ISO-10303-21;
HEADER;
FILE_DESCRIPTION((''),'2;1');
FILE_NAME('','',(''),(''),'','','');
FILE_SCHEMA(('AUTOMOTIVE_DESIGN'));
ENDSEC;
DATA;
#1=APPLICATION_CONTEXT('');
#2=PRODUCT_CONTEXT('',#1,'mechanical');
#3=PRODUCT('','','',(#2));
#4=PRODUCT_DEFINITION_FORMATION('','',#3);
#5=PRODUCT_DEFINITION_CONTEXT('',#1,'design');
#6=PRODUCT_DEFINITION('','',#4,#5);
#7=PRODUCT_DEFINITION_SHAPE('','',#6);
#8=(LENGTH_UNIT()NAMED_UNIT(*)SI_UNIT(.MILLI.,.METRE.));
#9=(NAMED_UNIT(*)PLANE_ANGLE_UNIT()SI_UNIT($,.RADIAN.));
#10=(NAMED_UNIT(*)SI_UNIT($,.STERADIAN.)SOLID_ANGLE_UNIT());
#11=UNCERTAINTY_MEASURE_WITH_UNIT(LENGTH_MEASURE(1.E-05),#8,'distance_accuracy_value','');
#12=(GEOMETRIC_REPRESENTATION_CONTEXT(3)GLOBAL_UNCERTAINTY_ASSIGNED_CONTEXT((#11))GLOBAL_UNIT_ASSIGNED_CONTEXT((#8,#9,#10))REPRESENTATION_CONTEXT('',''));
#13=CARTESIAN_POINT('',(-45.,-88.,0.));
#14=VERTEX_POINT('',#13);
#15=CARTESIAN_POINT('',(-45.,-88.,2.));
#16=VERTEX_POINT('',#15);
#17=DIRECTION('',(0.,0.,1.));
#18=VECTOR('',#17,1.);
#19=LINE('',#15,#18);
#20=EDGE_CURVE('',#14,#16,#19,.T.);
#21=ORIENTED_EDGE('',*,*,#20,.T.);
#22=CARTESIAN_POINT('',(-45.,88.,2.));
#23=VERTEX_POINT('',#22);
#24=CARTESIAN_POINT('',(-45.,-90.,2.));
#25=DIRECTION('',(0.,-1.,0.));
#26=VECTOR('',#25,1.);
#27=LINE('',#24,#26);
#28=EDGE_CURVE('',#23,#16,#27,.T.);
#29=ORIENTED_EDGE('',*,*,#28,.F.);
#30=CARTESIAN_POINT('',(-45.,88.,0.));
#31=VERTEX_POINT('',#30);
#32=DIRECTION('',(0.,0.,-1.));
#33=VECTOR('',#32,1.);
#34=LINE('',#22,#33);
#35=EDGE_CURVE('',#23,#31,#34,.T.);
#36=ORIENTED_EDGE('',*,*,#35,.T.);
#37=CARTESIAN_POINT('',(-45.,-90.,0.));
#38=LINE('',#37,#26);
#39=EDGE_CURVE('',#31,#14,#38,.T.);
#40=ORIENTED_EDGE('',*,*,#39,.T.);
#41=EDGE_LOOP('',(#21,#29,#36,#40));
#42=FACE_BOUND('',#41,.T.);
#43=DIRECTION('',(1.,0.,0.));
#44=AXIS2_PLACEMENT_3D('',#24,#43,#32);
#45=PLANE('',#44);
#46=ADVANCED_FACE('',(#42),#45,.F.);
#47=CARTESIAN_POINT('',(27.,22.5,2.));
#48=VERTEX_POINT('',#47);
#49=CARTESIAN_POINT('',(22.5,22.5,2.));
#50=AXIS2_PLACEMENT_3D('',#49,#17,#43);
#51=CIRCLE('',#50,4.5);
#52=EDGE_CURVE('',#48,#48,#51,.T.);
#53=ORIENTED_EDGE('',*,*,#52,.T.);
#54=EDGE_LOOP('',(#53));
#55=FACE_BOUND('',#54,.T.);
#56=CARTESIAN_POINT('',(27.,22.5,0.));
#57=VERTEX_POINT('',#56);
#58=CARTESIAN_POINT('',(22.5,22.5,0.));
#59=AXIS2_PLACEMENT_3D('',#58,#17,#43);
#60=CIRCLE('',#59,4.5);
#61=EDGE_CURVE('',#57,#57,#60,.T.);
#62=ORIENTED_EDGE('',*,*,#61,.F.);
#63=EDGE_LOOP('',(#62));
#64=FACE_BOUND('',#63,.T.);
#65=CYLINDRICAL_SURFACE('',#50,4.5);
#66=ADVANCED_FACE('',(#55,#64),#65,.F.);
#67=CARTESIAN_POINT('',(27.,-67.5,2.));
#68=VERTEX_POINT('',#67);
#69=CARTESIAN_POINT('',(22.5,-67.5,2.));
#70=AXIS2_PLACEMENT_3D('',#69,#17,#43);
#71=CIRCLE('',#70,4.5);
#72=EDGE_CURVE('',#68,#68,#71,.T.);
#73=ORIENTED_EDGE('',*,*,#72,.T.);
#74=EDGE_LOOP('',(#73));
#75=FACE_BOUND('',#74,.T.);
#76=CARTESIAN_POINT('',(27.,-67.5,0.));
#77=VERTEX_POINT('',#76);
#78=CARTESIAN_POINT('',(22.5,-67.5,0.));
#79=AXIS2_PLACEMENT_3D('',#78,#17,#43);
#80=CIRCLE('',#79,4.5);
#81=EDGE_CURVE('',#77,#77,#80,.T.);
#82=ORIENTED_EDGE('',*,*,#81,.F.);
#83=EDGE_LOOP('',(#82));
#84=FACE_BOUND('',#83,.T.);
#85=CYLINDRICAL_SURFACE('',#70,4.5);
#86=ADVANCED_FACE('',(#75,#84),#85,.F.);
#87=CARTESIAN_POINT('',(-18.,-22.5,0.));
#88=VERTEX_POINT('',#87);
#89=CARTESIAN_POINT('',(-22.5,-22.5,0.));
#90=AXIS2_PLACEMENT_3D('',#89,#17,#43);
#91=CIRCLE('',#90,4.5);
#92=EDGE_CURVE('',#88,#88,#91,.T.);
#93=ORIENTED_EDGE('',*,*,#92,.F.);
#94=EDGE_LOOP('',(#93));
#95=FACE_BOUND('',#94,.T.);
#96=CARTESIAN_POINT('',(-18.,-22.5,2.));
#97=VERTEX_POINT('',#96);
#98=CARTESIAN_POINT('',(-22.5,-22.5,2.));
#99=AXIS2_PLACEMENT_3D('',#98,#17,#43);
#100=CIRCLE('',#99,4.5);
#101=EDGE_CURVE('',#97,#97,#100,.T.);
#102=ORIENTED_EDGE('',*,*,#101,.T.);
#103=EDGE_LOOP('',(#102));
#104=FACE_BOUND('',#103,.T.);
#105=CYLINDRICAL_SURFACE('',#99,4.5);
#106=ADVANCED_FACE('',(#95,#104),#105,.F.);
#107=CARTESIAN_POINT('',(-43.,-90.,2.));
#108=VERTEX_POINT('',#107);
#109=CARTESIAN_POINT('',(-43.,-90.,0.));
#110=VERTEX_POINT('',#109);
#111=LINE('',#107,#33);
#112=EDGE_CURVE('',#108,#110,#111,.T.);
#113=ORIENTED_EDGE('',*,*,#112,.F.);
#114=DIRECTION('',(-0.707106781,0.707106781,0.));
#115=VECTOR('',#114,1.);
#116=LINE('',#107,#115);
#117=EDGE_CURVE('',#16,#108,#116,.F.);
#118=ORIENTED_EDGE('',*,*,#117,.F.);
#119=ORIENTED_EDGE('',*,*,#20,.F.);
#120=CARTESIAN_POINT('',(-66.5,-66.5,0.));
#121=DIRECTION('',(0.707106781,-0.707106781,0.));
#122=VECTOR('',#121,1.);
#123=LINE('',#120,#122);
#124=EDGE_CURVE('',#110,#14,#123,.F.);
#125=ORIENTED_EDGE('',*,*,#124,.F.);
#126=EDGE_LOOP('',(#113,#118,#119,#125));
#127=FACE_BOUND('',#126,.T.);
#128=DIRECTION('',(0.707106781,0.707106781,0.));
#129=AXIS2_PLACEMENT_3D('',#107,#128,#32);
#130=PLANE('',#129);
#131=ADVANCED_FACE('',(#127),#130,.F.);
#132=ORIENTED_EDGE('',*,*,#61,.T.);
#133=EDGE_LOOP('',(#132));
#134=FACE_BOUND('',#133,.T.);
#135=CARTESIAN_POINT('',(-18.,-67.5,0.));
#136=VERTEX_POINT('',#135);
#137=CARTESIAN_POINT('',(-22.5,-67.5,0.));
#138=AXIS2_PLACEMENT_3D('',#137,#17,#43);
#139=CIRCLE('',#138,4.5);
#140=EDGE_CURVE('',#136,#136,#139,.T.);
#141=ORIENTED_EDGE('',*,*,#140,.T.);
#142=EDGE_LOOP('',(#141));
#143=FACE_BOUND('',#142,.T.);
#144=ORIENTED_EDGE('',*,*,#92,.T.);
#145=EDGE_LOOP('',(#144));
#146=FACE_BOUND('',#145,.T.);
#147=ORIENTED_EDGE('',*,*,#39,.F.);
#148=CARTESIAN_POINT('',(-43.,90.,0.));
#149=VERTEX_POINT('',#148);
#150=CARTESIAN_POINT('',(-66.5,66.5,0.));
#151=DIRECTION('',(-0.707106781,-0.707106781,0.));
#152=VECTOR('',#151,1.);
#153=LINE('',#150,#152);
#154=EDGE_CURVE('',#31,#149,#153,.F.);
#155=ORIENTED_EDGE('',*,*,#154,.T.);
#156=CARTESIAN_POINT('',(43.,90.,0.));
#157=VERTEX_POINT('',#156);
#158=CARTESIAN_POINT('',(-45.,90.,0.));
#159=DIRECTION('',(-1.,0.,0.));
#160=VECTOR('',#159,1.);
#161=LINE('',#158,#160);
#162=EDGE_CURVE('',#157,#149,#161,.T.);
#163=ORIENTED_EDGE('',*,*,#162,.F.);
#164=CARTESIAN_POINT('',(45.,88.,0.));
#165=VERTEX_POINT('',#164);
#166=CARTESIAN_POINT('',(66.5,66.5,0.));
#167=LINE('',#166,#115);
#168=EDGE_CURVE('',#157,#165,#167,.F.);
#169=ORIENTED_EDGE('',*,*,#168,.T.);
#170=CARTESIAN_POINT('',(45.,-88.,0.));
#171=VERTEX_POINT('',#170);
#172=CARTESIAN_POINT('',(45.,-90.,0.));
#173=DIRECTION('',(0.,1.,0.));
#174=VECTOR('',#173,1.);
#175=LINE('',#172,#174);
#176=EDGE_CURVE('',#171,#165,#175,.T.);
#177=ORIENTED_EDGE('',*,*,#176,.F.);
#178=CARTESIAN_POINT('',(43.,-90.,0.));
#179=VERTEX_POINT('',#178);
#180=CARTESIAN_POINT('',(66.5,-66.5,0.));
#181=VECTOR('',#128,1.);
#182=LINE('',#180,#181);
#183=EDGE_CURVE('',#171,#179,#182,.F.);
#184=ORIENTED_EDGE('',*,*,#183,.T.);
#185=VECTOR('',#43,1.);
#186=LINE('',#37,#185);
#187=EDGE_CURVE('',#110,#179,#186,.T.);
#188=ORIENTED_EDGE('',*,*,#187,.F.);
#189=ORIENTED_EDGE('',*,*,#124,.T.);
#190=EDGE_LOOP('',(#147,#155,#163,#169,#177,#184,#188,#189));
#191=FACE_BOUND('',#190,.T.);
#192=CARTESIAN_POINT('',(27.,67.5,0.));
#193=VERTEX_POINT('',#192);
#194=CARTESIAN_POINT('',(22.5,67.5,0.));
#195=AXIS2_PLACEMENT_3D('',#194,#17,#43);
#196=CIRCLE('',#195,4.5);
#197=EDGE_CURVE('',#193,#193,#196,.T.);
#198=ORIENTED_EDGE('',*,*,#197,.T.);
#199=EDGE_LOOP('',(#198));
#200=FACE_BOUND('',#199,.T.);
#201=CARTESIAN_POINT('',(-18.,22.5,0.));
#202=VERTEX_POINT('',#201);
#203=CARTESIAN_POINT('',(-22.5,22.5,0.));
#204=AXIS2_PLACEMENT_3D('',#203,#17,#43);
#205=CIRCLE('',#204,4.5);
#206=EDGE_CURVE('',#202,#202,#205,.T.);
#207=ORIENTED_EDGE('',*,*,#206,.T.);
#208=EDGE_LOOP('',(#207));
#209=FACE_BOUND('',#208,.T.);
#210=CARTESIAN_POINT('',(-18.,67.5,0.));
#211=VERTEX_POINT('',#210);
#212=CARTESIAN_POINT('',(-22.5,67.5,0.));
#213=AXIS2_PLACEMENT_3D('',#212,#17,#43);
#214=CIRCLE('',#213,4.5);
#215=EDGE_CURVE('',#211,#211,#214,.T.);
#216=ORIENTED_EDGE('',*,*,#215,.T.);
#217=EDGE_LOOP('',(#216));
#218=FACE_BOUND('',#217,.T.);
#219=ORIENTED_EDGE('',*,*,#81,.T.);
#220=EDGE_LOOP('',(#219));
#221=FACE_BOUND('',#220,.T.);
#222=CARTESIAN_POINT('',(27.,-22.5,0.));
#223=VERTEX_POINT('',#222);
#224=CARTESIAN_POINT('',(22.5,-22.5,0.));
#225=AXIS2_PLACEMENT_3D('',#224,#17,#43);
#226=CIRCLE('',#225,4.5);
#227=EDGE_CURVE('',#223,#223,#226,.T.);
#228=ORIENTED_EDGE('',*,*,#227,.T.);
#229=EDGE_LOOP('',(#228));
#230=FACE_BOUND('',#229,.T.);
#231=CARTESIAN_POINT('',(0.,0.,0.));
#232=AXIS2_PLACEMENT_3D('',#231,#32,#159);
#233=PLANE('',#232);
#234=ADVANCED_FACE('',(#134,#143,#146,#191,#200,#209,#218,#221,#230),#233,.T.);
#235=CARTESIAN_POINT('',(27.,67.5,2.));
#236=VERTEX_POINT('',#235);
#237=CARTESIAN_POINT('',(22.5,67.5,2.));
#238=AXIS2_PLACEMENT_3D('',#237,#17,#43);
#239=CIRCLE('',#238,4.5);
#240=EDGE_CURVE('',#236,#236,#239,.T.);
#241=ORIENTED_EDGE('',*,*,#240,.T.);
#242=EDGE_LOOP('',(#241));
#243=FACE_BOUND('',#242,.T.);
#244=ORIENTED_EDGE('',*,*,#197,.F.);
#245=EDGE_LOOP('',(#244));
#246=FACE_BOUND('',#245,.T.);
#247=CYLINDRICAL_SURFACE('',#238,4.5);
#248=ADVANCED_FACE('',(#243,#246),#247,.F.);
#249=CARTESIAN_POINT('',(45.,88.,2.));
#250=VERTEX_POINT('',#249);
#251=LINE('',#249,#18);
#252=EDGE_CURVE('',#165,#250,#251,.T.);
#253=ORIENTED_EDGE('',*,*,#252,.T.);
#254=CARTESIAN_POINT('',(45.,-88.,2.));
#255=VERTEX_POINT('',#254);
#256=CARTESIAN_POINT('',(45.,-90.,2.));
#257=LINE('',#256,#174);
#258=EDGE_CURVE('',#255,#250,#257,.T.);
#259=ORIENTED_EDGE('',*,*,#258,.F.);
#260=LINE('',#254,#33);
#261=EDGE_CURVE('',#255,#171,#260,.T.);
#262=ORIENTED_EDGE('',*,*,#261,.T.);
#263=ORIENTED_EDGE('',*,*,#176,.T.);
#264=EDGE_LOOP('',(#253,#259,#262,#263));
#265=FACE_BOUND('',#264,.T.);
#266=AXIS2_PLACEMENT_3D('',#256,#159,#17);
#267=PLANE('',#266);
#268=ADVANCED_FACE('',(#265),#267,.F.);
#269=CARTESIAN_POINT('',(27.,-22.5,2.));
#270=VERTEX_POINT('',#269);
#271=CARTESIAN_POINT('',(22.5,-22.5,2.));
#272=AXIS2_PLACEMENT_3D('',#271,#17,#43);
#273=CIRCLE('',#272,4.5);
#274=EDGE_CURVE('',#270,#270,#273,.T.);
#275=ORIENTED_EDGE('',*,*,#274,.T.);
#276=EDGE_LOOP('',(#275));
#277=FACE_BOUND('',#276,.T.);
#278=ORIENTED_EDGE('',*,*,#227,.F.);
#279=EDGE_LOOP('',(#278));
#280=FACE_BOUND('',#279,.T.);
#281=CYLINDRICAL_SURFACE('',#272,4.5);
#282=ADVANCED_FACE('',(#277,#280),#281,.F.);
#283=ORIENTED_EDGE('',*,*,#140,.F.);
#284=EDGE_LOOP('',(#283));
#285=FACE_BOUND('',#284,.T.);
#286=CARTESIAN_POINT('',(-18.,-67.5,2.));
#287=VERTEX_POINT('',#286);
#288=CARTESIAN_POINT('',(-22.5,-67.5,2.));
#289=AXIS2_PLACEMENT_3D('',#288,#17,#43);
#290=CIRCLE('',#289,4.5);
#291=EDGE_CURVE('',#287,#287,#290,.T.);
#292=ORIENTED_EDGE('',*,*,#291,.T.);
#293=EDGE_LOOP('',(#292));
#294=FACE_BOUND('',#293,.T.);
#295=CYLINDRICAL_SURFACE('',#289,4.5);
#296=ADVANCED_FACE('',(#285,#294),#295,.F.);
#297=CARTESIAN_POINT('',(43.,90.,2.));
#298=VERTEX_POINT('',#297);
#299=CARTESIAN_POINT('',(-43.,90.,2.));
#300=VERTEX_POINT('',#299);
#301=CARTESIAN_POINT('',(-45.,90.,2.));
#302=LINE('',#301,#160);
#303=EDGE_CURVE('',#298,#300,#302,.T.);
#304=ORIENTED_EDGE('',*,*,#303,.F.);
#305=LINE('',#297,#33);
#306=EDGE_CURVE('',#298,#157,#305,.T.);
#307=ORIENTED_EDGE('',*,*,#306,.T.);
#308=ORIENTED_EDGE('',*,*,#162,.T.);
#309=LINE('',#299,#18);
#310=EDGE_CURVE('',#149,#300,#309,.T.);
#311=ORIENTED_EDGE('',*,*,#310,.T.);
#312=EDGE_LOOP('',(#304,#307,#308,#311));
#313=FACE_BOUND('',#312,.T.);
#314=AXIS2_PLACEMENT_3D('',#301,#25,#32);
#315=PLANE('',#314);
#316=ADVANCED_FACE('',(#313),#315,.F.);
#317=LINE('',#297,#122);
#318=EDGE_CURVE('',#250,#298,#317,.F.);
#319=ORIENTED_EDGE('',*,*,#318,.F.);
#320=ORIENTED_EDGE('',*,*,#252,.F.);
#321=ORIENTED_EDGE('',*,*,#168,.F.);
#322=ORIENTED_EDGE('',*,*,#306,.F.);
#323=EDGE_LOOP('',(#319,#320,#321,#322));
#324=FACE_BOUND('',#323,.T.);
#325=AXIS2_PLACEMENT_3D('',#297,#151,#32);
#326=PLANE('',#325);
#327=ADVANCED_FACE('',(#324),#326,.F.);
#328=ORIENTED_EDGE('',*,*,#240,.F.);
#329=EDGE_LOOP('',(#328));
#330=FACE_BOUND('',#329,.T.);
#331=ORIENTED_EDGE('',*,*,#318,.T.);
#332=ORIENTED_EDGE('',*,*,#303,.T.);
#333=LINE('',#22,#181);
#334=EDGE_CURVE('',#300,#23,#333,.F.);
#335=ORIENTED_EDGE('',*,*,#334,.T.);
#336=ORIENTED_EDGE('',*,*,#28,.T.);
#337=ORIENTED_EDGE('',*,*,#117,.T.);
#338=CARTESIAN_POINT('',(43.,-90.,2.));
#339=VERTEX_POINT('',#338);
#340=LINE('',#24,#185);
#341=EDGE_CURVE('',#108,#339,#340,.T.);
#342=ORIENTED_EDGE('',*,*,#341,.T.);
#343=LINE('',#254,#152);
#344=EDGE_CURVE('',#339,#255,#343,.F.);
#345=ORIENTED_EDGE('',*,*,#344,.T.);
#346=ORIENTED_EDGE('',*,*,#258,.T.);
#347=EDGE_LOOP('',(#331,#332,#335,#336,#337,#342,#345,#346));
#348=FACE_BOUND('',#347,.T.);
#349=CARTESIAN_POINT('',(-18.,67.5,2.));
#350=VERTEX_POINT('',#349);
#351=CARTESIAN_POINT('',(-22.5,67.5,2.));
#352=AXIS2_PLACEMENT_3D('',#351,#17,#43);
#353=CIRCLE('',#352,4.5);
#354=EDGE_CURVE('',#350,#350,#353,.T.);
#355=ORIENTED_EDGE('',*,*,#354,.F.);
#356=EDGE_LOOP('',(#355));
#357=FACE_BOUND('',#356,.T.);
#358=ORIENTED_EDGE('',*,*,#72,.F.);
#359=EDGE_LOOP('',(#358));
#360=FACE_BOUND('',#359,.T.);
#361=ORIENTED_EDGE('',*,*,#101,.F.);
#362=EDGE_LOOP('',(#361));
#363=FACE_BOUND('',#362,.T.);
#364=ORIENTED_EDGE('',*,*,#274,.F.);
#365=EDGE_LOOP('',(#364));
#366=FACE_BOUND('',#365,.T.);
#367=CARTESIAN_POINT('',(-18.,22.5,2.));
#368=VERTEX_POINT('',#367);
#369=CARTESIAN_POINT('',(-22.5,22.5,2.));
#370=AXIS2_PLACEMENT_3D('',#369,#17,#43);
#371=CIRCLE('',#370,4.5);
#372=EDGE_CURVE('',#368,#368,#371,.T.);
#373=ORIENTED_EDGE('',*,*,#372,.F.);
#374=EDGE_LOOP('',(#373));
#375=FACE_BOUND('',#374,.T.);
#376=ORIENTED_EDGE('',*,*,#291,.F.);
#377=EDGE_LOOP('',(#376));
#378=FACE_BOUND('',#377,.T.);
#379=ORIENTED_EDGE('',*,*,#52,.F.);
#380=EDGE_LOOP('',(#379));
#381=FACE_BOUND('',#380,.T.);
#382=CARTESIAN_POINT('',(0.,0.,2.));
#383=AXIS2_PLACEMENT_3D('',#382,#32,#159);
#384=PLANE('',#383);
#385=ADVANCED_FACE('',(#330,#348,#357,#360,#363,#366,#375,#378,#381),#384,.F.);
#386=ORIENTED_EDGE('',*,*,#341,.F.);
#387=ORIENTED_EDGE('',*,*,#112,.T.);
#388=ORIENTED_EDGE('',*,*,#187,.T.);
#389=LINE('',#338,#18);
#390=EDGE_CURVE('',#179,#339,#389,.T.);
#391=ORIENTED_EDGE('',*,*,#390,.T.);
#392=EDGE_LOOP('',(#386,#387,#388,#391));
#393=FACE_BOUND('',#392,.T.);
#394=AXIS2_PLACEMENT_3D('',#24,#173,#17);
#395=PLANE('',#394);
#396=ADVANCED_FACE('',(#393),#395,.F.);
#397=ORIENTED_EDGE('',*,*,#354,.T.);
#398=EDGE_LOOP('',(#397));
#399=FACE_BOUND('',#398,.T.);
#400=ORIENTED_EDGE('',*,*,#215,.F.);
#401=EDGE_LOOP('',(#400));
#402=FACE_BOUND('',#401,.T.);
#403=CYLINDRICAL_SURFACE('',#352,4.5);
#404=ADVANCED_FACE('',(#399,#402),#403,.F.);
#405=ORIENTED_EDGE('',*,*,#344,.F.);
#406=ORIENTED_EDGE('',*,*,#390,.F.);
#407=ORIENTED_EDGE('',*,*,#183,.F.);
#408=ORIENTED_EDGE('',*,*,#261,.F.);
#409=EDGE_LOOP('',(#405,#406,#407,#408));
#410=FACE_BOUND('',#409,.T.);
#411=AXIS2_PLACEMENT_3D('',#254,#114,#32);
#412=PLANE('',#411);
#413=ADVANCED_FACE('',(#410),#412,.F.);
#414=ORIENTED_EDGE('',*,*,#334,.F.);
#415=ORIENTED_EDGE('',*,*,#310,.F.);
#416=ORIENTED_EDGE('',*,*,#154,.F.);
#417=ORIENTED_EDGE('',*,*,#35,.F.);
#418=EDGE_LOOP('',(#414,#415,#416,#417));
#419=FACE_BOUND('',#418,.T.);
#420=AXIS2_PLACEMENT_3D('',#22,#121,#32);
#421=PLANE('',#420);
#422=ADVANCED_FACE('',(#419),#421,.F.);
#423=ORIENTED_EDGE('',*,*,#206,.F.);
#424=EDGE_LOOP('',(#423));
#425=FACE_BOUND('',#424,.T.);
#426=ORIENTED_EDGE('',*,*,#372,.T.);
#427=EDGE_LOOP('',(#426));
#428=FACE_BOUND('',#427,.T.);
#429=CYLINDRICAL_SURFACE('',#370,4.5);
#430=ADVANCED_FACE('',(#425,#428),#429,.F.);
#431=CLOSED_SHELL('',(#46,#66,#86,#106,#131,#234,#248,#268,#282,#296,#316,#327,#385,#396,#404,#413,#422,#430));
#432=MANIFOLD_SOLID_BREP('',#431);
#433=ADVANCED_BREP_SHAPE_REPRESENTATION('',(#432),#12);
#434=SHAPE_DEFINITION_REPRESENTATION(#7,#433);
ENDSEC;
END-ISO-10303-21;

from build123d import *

# Parameters (mm, degrees)
SKETCH_1_W        = 90
SKETCH_1_H        = 180
EXTRUDE_1_DEPTH   = 2
CHAMFER_1_SIZE    = 2
HOLE_WIZARD_M81_D = 9


with BuildPart() as part:
    # Эскиз1 → Бобышка-Вытянуть1 (new body)
    with BuildSketch(Plane.XY):
        Rectangle(SKETCH_1_W, SKETCH_1_H)
    extrude(amount=EXTRUDE_1_DEPTH)

    # Фаска1
    chamfer_1_edges = [part.edges().sort_by_distance(p)[0] for p in [
        (45, -90, 1),
        (-45, -90, 1),
        (-45, 90, 1),
        (45, 90, 1),
    ]]
    chamfer(chamfer_1_edges, length=CHAMFER_1_SIZE)

    # Отверстие с зазором M81 (through all)
    with Locations(Plane.XY.offset(2)):
        with Locations((-22.5, 22.5), (22.5, 22.5), (-22.5, -22.5), (22.5, -22.5), (-22.5, 67.5), (22.5, 67.5), (22.5, -67.5), (-22.5, -67.5)):
            Hole(HOLE_WIZARD_M81_D / 2)


solid = part.part
